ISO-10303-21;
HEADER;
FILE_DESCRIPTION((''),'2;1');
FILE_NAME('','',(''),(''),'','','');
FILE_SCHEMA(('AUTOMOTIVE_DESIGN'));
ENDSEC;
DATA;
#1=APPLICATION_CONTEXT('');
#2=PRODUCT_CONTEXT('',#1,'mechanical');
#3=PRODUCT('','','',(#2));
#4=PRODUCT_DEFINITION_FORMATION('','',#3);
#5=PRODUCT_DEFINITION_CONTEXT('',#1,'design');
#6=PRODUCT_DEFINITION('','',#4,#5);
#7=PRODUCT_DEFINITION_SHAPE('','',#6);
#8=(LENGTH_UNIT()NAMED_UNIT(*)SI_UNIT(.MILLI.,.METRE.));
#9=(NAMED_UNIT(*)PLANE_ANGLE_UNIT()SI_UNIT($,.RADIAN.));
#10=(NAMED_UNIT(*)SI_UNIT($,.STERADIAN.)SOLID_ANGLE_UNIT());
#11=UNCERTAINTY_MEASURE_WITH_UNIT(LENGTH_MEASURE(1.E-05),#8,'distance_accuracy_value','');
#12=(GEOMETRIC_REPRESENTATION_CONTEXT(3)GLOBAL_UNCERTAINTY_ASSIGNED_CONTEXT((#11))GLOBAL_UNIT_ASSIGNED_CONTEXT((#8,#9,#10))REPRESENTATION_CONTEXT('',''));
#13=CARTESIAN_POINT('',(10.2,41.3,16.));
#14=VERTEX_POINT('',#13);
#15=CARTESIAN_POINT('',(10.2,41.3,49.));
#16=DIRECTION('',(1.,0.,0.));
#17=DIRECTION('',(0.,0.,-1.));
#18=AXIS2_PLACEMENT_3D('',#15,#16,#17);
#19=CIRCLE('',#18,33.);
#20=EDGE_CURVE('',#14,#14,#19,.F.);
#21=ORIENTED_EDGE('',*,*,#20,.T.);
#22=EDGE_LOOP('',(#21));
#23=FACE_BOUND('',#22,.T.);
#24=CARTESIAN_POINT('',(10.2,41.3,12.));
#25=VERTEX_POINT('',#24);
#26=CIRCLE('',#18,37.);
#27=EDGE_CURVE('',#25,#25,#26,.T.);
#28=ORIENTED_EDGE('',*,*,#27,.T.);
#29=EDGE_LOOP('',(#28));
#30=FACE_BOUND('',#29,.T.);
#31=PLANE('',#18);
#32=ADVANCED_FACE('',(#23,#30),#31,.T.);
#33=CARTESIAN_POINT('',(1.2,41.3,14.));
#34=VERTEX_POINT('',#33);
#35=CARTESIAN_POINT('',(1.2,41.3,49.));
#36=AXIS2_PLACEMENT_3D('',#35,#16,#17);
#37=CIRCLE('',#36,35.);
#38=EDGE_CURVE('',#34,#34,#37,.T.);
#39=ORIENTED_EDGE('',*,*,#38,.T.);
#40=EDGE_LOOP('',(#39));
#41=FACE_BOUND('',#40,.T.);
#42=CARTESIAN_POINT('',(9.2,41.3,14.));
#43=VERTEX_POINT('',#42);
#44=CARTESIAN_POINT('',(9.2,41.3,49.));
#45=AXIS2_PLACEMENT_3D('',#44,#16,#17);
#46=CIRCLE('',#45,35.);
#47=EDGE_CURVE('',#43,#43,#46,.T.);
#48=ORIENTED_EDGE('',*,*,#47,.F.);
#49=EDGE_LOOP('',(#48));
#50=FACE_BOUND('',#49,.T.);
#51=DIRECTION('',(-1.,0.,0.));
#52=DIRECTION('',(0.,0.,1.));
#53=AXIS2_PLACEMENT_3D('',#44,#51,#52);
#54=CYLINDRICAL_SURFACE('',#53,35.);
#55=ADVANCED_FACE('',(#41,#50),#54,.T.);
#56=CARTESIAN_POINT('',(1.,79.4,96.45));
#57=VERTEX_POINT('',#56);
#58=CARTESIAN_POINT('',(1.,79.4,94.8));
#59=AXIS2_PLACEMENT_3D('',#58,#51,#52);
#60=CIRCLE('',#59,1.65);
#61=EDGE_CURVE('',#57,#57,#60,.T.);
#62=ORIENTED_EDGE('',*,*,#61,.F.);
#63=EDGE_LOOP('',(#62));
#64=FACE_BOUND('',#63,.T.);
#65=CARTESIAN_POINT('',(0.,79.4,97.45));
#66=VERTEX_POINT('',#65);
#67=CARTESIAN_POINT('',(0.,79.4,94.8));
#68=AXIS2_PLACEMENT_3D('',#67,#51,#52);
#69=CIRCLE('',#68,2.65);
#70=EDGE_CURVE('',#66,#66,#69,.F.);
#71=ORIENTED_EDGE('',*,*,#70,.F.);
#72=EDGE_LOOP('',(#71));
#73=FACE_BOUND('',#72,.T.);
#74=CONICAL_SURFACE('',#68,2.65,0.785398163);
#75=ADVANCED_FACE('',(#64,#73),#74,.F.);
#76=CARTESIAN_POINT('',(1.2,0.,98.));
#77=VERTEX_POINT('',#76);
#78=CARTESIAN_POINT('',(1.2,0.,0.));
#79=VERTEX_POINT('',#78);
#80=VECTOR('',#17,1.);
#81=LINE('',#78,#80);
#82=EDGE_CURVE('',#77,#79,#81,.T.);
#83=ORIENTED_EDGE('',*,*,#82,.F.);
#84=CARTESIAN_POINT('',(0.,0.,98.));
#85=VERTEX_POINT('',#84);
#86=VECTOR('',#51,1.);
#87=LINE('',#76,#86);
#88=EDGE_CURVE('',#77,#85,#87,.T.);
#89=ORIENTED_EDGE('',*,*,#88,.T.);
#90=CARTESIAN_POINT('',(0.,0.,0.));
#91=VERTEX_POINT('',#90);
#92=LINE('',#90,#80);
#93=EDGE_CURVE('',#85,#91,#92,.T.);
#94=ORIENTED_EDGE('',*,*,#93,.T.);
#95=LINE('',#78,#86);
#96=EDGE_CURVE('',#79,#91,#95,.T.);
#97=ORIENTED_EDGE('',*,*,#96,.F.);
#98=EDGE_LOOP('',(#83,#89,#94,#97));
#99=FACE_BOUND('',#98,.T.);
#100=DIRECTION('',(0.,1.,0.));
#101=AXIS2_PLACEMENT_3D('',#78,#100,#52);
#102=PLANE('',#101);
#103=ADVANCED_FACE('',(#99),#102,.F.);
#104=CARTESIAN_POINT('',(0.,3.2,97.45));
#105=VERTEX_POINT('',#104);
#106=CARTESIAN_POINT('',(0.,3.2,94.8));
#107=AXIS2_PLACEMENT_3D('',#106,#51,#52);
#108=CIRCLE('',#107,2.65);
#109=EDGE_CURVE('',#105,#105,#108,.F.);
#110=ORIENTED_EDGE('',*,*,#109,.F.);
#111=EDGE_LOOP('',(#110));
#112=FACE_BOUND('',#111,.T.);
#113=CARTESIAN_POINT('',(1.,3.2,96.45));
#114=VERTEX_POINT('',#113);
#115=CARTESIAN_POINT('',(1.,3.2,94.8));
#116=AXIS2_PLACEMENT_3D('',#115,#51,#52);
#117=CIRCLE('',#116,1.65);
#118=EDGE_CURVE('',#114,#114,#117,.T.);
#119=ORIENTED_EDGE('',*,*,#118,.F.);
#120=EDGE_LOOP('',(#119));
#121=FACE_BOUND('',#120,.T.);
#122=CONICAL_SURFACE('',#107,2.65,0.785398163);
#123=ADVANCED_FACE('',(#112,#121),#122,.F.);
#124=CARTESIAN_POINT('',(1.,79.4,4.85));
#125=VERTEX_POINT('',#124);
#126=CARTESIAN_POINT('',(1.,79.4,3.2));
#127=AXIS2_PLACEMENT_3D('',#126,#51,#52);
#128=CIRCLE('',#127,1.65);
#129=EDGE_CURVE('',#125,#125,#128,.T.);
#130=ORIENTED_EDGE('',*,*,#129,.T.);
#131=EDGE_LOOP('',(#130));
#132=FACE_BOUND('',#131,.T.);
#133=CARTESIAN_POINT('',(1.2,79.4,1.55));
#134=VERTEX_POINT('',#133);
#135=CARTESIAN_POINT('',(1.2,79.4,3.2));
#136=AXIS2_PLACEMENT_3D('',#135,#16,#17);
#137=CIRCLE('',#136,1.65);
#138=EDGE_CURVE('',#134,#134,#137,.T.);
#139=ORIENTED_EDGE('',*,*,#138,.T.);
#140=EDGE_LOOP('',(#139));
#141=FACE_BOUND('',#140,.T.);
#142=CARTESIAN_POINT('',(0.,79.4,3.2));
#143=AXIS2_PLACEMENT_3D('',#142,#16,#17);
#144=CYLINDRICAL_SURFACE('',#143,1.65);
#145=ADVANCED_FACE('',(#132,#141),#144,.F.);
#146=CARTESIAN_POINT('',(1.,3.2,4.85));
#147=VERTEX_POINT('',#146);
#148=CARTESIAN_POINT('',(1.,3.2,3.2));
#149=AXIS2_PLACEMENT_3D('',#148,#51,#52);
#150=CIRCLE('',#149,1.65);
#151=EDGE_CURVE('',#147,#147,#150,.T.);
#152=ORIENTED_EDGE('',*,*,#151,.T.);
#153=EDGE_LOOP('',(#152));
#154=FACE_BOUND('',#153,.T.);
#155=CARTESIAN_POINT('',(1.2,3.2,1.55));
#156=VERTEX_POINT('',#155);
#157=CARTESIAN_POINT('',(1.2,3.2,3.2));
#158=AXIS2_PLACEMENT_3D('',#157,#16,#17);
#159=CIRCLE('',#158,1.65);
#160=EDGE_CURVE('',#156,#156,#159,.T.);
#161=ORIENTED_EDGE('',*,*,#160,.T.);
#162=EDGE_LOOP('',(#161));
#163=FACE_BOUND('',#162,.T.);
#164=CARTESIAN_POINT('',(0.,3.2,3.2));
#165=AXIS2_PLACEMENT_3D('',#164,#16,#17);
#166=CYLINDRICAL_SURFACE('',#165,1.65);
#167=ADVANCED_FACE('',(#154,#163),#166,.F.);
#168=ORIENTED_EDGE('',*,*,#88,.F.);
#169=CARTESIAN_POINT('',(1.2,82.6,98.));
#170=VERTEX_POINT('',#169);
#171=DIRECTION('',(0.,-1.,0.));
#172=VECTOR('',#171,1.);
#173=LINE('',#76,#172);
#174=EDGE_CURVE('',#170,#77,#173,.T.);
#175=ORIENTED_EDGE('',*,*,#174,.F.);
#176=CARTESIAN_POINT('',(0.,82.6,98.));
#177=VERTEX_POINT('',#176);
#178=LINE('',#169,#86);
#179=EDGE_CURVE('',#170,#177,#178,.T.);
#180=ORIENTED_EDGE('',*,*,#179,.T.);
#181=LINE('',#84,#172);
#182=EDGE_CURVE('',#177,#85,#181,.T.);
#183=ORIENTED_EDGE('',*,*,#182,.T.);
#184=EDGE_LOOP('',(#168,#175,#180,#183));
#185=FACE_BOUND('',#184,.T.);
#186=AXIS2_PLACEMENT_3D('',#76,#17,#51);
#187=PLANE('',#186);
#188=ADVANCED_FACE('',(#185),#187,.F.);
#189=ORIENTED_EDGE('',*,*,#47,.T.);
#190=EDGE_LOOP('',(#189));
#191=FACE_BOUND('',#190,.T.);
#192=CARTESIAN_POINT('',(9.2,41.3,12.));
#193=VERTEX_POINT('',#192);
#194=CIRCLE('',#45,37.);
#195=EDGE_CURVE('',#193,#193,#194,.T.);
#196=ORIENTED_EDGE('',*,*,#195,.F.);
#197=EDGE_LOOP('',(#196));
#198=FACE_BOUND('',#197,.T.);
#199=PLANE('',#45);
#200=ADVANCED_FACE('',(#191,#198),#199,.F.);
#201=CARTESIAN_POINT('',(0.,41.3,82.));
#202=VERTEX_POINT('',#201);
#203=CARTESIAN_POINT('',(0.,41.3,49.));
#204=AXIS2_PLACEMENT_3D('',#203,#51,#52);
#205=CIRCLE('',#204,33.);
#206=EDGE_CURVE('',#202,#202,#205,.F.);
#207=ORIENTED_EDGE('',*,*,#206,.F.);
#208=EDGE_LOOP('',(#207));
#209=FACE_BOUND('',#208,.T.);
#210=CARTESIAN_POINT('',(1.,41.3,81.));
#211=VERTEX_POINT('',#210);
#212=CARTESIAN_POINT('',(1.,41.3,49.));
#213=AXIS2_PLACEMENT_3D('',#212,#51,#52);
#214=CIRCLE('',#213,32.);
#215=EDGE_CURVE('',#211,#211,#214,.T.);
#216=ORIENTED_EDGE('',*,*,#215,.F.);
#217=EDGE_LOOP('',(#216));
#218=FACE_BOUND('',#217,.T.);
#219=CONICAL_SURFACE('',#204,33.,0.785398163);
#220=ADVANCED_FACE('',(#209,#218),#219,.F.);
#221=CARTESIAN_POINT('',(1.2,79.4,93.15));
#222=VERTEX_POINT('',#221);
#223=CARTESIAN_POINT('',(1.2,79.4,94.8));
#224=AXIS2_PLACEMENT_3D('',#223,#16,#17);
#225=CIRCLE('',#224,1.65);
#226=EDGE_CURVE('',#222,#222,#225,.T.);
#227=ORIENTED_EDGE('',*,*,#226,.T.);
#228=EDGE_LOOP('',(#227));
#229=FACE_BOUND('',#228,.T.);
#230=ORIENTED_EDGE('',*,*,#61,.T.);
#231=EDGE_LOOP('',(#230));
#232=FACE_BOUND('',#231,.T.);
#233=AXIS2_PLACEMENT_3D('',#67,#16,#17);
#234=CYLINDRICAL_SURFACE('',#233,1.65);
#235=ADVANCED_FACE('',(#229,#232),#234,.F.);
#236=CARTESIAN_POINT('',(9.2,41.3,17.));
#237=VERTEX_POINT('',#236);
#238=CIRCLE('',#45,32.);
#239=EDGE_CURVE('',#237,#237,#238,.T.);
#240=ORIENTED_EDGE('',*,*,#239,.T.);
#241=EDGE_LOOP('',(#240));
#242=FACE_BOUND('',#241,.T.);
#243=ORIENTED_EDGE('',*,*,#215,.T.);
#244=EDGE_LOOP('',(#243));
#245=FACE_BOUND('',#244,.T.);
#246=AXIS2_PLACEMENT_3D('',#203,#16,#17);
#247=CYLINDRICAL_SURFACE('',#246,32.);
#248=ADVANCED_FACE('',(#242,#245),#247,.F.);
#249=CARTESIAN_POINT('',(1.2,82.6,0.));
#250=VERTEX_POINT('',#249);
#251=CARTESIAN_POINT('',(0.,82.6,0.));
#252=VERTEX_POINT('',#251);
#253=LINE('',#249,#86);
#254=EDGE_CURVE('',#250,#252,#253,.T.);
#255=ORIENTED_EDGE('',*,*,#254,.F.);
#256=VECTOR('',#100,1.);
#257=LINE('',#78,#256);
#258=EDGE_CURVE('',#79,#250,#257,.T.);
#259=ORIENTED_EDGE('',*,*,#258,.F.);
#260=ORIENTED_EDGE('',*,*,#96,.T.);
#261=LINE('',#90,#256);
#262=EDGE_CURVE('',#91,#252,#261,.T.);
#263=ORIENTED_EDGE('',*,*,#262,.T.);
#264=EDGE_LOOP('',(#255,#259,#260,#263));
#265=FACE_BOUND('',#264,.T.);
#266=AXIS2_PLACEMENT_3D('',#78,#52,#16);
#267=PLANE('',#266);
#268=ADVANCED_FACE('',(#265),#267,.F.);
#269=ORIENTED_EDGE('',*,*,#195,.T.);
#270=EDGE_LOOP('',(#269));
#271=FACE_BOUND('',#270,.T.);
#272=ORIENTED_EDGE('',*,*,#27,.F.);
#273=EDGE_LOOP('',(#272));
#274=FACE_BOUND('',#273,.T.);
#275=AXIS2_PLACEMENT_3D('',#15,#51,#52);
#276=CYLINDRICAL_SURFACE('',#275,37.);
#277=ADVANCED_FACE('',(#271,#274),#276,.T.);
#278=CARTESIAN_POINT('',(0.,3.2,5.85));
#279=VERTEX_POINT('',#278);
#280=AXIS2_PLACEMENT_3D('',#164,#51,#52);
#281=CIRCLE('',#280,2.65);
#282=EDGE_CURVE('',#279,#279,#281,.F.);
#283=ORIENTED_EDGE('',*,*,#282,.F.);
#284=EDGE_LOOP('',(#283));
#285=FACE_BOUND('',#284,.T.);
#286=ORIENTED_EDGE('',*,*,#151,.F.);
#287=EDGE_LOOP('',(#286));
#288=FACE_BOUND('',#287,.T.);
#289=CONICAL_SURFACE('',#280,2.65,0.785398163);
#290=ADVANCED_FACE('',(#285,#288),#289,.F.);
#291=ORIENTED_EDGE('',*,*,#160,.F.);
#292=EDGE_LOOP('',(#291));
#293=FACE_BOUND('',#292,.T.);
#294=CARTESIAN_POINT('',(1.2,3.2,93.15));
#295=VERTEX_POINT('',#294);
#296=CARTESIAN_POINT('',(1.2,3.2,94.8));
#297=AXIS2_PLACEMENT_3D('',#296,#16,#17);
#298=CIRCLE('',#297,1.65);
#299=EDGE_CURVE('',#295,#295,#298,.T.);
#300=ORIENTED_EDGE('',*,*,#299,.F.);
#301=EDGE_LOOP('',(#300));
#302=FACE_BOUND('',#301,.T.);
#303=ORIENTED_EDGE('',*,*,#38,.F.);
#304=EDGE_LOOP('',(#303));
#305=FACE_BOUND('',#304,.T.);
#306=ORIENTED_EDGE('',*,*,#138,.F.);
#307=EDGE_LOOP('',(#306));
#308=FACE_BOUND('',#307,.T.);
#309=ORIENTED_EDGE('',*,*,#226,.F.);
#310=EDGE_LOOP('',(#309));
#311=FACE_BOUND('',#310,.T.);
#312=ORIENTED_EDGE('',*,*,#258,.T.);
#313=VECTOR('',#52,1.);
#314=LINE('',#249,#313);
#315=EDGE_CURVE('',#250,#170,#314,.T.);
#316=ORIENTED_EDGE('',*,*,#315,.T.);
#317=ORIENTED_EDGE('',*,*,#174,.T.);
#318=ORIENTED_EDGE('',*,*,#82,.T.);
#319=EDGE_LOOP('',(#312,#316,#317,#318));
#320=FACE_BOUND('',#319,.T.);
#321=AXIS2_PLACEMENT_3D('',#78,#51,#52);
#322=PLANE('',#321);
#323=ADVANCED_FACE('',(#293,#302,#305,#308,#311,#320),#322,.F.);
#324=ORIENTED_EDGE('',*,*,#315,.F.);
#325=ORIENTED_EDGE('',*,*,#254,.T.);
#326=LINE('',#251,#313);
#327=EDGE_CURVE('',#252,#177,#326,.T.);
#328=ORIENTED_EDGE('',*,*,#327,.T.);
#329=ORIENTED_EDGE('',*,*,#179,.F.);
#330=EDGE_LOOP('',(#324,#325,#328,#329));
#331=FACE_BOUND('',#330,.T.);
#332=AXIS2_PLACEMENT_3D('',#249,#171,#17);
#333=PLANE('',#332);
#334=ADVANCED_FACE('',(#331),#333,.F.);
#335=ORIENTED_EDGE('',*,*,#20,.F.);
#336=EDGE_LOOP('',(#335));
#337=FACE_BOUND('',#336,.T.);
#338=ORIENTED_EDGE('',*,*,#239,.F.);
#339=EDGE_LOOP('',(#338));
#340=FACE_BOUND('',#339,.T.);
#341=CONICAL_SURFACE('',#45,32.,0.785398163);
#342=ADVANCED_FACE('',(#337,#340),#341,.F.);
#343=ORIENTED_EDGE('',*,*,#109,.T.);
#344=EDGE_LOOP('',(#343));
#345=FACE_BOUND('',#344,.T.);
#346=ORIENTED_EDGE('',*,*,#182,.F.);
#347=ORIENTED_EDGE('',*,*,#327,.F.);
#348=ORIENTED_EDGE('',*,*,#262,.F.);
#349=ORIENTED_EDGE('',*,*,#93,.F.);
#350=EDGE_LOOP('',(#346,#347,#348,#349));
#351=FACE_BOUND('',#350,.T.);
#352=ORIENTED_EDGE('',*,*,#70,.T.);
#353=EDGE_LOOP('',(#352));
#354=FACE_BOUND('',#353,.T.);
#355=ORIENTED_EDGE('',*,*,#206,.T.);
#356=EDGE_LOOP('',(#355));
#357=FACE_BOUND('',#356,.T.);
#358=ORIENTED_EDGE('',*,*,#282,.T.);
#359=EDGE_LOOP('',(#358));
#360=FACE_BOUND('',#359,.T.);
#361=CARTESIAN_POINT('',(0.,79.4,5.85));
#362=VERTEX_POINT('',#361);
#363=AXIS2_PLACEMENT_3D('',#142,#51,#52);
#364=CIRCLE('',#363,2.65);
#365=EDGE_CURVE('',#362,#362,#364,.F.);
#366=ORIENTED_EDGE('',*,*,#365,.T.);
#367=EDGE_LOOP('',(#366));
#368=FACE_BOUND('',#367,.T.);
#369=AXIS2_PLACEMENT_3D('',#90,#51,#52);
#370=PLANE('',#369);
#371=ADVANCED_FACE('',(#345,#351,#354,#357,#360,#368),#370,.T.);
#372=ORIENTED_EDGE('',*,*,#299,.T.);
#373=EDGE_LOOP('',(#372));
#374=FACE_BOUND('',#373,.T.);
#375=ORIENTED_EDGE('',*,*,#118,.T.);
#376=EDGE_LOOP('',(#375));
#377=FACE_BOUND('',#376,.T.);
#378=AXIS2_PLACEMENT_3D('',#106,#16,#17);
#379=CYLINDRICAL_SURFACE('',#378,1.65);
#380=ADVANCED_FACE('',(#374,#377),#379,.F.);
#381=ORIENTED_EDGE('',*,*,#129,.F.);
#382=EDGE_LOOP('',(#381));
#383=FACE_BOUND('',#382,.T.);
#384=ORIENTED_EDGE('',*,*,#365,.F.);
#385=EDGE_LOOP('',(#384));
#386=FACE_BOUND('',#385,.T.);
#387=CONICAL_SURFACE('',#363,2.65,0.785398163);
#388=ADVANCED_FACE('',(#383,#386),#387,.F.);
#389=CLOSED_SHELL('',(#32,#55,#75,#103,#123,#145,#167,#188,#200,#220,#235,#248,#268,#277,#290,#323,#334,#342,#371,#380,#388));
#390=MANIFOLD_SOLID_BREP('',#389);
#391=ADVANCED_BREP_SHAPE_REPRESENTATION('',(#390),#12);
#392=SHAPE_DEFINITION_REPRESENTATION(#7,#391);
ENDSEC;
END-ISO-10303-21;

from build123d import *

# Parameters (mm, degrees)
SKETCH1_W           = 82.6
SKETCH1_H           = 98
BOSS_EXTRUDE1_DEPTH = 1.2
SKETCH2_R           = 1.65
CUT_EXTRUDE1_DEPTH  = 129.172539961
SKETCH3_R           = 35
BOSS_EXTRUDE2_DEPTH = 8
SKETCH4_R           = 37
BOSS_EXTRUDE3_DEPTH = 1
SKETCH5_R           = 32
CUT_EXTRUDE2_DEPTH  = 129.572158728
CHAMFER1_SIZE       = 1


with BuildPart() as part:
    # Sketch1 → Boss-Extrude1 (new body)
    with BuildSketch(Plane.YZ):
        with Locations((41.3, 49)):
            Rectangle(SKETCH1_W, SKETCH1_H)
    extrude(amount=BOSS_EXTRUDE1_DEPTH)

    # Sketch2 → Cut-Extrude1 (cut, through all)
    with BuildSketch(Plane.YZ.offset(1.2)):
        with Locations(Location((3.2, 94.8, 0), (0, 0, 270))):
            Circle(SKETCH2_R)
        with Locations(Location((79.4, 94.8, 0), (0, 0, 270))):
            Circle(SKETCH2_R)
        with Locations(Location((3.2, 3.2, 0), (0, 0, 270))):
            Circle(SKETCH2_R)
        with Locations(Location((79.4, 3.2, 0), (0, 0, 270))):
            Circle(SKETCH2_R)
    extrude(amount=-CUT_EXTRUDE1_DEPTH, mode=Mode.SUBTRACT)

    # Sketch3 → Boss-Extrude2 (add)
    with BuildSketch(Plane.YZ.offset(1.2)):
        with Locations(Location((41.3, 49, 0), (0, 0, 270))):
            Circle(SKETCH3_R)
    extrude(amount=BOSS_EXTRUDE2_DEPTH)

    # Sketch4 → Boss-Extrude3 (add)
    with BuildSketch(Plane.YZ.offset(9.2)):
        with Locations(Location((41.3, 49, 0), (0, 0, 270))):
            Circle(SKETCH4_R)
    extrude(amount=BOSS_EXTRUDE3_DEPTH)

    # Sketch5 → Cut-Extrude2 (cut, through all)
    with BuildSketch(Plane.YZ.offset(10.2)):
        with Locations(Location((41.3, 49, 0), (0, 0, 270))):
            Circle(SKETCH5_R)
    extrude(amount=-CUT_EXTRUDE2_DEPTH, mode=Mode.SUBTRACT)

    # Chamfer1
    chamfer1_edges = [part.edges().sort_by_distance(p)[0] for p in [
        (0, 79.4, 96.45),
        (0, 3.2, 4.85),
        (0, 79.4, 4.85),
        (0, 3.2, 96.45),
        (0, 41.3, 81),
        (10.2, 41.3, 81),
    ]]
    chamfer(chamfer1_edges, length=CHAMFER1_SIZE)


solid = part.part
